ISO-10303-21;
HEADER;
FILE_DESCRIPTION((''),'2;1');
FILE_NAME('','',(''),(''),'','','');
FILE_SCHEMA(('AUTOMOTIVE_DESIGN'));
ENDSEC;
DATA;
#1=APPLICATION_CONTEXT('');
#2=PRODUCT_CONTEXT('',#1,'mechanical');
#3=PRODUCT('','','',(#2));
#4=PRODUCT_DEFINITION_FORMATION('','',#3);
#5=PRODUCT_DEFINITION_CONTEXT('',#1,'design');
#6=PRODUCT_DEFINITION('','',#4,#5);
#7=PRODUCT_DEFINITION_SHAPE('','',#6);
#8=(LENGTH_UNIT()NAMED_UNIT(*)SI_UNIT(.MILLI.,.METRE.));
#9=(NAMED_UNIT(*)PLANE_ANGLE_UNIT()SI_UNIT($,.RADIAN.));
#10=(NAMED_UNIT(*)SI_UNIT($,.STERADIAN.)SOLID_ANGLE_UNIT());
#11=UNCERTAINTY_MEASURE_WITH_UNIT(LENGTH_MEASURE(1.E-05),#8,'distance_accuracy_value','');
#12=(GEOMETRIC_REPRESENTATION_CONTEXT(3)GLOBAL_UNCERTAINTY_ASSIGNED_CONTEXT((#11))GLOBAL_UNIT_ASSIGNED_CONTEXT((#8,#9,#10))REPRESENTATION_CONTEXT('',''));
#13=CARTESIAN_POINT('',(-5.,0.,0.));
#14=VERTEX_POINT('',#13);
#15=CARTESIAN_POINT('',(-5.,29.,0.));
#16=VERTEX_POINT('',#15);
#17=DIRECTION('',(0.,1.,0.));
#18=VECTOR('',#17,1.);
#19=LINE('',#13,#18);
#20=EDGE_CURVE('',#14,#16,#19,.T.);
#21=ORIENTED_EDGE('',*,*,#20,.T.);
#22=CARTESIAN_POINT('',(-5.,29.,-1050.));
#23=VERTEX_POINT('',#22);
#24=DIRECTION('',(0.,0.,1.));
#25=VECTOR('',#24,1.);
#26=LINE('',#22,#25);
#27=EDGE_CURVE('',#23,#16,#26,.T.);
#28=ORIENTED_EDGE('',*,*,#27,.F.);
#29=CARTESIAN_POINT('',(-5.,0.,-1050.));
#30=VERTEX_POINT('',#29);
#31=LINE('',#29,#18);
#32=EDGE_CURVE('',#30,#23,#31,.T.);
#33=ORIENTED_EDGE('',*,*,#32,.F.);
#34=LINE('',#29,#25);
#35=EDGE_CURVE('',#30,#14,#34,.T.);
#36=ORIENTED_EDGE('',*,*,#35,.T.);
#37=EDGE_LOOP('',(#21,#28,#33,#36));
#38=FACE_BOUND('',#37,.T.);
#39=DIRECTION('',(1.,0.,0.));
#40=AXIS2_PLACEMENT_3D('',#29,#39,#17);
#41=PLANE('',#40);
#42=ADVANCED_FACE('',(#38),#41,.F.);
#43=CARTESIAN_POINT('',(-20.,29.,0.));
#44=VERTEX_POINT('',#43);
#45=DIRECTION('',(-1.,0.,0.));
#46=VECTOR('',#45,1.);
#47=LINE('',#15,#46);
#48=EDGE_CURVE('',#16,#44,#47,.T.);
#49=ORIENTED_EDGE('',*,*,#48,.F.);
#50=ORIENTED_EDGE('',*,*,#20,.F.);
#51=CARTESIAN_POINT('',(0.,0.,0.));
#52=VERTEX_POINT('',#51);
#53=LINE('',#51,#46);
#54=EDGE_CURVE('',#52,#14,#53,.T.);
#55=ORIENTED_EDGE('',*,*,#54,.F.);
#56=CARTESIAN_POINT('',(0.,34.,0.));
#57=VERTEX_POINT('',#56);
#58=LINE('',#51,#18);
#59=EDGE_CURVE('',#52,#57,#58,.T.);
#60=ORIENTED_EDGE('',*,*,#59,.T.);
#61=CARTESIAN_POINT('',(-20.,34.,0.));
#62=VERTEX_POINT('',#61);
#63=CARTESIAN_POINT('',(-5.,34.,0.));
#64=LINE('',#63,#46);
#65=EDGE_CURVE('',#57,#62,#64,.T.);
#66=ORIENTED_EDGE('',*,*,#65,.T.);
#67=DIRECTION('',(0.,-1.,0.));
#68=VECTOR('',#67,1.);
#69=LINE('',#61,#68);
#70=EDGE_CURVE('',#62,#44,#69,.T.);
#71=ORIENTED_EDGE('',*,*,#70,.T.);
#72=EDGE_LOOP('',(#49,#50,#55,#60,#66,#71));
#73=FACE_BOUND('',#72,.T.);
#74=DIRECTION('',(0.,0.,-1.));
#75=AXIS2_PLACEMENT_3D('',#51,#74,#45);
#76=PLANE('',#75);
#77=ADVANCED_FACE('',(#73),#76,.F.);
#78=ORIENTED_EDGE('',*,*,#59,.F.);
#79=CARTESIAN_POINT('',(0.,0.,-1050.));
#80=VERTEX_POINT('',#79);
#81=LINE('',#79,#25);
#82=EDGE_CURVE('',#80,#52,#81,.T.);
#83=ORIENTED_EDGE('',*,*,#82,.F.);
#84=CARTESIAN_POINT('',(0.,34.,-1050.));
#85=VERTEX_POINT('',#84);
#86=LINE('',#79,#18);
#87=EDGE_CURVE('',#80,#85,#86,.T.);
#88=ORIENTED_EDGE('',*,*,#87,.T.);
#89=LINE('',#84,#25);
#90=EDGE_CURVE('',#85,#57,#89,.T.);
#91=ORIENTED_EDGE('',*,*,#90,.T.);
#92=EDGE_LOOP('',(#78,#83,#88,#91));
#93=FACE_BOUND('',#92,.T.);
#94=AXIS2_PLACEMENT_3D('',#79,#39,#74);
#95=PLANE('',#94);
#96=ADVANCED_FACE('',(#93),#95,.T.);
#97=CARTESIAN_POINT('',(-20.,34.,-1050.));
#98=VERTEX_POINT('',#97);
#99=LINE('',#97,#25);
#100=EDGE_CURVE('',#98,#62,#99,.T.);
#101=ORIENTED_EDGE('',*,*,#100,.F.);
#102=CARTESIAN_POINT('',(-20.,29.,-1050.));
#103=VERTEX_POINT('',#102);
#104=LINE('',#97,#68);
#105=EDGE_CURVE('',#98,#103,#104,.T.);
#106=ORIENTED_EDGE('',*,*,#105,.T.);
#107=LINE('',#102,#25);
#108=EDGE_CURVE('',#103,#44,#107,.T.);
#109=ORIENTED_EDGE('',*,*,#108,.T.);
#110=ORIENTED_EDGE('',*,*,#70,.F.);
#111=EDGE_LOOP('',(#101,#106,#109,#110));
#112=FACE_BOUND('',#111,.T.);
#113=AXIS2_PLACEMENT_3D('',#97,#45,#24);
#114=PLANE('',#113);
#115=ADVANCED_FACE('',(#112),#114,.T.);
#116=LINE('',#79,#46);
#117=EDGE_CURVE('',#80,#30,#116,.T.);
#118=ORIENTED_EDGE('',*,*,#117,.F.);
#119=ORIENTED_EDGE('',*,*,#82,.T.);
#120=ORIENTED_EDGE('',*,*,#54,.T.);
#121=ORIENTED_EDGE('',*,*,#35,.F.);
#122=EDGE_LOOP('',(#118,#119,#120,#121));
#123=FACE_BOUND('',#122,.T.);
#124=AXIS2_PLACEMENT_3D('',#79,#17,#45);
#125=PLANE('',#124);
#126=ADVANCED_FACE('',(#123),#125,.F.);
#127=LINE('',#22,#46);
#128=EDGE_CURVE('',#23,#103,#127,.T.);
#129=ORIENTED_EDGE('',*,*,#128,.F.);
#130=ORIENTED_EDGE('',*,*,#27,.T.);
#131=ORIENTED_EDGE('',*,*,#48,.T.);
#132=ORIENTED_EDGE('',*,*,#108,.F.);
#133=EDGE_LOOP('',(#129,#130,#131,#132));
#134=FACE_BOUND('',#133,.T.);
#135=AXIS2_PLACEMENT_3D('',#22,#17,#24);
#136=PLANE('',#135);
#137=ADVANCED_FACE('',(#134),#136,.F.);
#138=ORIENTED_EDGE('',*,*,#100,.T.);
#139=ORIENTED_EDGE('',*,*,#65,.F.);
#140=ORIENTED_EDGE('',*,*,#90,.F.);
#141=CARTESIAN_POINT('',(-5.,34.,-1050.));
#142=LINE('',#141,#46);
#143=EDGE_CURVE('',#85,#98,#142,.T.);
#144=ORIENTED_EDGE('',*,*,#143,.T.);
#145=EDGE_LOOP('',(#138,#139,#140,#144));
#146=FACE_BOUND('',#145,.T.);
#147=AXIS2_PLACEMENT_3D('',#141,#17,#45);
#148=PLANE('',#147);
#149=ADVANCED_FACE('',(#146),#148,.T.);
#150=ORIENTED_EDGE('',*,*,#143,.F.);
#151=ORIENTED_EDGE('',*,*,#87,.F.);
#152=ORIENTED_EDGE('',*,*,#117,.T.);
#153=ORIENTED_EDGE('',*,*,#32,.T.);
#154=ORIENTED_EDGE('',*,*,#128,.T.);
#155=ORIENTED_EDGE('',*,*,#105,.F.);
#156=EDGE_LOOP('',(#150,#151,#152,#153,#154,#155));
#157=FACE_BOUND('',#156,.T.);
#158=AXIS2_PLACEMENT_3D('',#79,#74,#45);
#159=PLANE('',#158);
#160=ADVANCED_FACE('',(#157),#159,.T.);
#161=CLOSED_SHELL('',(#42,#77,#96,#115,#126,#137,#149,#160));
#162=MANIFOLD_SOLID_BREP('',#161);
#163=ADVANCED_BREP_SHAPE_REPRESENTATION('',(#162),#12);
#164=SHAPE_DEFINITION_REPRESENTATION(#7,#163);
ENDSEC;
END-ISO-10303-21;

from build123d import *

# Parameters (mm, degrees)
CROQUIS1_W              = 15
CROQUIS1_H              = 5
SALIENTE_EXTRUIR1_DEPTH = 1050


with BuildPart() as part:
    # Croquis1 → Saliente-Extruir1 (new body)
    with BuildSketch(Plane.XY):
        Polygon((-5, 0), (0, 0), (0, 34), (-5, 34), (-5, 29), align=None)
        with Locations((-12.5, 31.5)):
            Rectangle(CROQUIS1_W, CROQUIS1_H)
    extrude(amount=-SALIENTE_EXTRUIR1_DEPTH)


solid = part.part
